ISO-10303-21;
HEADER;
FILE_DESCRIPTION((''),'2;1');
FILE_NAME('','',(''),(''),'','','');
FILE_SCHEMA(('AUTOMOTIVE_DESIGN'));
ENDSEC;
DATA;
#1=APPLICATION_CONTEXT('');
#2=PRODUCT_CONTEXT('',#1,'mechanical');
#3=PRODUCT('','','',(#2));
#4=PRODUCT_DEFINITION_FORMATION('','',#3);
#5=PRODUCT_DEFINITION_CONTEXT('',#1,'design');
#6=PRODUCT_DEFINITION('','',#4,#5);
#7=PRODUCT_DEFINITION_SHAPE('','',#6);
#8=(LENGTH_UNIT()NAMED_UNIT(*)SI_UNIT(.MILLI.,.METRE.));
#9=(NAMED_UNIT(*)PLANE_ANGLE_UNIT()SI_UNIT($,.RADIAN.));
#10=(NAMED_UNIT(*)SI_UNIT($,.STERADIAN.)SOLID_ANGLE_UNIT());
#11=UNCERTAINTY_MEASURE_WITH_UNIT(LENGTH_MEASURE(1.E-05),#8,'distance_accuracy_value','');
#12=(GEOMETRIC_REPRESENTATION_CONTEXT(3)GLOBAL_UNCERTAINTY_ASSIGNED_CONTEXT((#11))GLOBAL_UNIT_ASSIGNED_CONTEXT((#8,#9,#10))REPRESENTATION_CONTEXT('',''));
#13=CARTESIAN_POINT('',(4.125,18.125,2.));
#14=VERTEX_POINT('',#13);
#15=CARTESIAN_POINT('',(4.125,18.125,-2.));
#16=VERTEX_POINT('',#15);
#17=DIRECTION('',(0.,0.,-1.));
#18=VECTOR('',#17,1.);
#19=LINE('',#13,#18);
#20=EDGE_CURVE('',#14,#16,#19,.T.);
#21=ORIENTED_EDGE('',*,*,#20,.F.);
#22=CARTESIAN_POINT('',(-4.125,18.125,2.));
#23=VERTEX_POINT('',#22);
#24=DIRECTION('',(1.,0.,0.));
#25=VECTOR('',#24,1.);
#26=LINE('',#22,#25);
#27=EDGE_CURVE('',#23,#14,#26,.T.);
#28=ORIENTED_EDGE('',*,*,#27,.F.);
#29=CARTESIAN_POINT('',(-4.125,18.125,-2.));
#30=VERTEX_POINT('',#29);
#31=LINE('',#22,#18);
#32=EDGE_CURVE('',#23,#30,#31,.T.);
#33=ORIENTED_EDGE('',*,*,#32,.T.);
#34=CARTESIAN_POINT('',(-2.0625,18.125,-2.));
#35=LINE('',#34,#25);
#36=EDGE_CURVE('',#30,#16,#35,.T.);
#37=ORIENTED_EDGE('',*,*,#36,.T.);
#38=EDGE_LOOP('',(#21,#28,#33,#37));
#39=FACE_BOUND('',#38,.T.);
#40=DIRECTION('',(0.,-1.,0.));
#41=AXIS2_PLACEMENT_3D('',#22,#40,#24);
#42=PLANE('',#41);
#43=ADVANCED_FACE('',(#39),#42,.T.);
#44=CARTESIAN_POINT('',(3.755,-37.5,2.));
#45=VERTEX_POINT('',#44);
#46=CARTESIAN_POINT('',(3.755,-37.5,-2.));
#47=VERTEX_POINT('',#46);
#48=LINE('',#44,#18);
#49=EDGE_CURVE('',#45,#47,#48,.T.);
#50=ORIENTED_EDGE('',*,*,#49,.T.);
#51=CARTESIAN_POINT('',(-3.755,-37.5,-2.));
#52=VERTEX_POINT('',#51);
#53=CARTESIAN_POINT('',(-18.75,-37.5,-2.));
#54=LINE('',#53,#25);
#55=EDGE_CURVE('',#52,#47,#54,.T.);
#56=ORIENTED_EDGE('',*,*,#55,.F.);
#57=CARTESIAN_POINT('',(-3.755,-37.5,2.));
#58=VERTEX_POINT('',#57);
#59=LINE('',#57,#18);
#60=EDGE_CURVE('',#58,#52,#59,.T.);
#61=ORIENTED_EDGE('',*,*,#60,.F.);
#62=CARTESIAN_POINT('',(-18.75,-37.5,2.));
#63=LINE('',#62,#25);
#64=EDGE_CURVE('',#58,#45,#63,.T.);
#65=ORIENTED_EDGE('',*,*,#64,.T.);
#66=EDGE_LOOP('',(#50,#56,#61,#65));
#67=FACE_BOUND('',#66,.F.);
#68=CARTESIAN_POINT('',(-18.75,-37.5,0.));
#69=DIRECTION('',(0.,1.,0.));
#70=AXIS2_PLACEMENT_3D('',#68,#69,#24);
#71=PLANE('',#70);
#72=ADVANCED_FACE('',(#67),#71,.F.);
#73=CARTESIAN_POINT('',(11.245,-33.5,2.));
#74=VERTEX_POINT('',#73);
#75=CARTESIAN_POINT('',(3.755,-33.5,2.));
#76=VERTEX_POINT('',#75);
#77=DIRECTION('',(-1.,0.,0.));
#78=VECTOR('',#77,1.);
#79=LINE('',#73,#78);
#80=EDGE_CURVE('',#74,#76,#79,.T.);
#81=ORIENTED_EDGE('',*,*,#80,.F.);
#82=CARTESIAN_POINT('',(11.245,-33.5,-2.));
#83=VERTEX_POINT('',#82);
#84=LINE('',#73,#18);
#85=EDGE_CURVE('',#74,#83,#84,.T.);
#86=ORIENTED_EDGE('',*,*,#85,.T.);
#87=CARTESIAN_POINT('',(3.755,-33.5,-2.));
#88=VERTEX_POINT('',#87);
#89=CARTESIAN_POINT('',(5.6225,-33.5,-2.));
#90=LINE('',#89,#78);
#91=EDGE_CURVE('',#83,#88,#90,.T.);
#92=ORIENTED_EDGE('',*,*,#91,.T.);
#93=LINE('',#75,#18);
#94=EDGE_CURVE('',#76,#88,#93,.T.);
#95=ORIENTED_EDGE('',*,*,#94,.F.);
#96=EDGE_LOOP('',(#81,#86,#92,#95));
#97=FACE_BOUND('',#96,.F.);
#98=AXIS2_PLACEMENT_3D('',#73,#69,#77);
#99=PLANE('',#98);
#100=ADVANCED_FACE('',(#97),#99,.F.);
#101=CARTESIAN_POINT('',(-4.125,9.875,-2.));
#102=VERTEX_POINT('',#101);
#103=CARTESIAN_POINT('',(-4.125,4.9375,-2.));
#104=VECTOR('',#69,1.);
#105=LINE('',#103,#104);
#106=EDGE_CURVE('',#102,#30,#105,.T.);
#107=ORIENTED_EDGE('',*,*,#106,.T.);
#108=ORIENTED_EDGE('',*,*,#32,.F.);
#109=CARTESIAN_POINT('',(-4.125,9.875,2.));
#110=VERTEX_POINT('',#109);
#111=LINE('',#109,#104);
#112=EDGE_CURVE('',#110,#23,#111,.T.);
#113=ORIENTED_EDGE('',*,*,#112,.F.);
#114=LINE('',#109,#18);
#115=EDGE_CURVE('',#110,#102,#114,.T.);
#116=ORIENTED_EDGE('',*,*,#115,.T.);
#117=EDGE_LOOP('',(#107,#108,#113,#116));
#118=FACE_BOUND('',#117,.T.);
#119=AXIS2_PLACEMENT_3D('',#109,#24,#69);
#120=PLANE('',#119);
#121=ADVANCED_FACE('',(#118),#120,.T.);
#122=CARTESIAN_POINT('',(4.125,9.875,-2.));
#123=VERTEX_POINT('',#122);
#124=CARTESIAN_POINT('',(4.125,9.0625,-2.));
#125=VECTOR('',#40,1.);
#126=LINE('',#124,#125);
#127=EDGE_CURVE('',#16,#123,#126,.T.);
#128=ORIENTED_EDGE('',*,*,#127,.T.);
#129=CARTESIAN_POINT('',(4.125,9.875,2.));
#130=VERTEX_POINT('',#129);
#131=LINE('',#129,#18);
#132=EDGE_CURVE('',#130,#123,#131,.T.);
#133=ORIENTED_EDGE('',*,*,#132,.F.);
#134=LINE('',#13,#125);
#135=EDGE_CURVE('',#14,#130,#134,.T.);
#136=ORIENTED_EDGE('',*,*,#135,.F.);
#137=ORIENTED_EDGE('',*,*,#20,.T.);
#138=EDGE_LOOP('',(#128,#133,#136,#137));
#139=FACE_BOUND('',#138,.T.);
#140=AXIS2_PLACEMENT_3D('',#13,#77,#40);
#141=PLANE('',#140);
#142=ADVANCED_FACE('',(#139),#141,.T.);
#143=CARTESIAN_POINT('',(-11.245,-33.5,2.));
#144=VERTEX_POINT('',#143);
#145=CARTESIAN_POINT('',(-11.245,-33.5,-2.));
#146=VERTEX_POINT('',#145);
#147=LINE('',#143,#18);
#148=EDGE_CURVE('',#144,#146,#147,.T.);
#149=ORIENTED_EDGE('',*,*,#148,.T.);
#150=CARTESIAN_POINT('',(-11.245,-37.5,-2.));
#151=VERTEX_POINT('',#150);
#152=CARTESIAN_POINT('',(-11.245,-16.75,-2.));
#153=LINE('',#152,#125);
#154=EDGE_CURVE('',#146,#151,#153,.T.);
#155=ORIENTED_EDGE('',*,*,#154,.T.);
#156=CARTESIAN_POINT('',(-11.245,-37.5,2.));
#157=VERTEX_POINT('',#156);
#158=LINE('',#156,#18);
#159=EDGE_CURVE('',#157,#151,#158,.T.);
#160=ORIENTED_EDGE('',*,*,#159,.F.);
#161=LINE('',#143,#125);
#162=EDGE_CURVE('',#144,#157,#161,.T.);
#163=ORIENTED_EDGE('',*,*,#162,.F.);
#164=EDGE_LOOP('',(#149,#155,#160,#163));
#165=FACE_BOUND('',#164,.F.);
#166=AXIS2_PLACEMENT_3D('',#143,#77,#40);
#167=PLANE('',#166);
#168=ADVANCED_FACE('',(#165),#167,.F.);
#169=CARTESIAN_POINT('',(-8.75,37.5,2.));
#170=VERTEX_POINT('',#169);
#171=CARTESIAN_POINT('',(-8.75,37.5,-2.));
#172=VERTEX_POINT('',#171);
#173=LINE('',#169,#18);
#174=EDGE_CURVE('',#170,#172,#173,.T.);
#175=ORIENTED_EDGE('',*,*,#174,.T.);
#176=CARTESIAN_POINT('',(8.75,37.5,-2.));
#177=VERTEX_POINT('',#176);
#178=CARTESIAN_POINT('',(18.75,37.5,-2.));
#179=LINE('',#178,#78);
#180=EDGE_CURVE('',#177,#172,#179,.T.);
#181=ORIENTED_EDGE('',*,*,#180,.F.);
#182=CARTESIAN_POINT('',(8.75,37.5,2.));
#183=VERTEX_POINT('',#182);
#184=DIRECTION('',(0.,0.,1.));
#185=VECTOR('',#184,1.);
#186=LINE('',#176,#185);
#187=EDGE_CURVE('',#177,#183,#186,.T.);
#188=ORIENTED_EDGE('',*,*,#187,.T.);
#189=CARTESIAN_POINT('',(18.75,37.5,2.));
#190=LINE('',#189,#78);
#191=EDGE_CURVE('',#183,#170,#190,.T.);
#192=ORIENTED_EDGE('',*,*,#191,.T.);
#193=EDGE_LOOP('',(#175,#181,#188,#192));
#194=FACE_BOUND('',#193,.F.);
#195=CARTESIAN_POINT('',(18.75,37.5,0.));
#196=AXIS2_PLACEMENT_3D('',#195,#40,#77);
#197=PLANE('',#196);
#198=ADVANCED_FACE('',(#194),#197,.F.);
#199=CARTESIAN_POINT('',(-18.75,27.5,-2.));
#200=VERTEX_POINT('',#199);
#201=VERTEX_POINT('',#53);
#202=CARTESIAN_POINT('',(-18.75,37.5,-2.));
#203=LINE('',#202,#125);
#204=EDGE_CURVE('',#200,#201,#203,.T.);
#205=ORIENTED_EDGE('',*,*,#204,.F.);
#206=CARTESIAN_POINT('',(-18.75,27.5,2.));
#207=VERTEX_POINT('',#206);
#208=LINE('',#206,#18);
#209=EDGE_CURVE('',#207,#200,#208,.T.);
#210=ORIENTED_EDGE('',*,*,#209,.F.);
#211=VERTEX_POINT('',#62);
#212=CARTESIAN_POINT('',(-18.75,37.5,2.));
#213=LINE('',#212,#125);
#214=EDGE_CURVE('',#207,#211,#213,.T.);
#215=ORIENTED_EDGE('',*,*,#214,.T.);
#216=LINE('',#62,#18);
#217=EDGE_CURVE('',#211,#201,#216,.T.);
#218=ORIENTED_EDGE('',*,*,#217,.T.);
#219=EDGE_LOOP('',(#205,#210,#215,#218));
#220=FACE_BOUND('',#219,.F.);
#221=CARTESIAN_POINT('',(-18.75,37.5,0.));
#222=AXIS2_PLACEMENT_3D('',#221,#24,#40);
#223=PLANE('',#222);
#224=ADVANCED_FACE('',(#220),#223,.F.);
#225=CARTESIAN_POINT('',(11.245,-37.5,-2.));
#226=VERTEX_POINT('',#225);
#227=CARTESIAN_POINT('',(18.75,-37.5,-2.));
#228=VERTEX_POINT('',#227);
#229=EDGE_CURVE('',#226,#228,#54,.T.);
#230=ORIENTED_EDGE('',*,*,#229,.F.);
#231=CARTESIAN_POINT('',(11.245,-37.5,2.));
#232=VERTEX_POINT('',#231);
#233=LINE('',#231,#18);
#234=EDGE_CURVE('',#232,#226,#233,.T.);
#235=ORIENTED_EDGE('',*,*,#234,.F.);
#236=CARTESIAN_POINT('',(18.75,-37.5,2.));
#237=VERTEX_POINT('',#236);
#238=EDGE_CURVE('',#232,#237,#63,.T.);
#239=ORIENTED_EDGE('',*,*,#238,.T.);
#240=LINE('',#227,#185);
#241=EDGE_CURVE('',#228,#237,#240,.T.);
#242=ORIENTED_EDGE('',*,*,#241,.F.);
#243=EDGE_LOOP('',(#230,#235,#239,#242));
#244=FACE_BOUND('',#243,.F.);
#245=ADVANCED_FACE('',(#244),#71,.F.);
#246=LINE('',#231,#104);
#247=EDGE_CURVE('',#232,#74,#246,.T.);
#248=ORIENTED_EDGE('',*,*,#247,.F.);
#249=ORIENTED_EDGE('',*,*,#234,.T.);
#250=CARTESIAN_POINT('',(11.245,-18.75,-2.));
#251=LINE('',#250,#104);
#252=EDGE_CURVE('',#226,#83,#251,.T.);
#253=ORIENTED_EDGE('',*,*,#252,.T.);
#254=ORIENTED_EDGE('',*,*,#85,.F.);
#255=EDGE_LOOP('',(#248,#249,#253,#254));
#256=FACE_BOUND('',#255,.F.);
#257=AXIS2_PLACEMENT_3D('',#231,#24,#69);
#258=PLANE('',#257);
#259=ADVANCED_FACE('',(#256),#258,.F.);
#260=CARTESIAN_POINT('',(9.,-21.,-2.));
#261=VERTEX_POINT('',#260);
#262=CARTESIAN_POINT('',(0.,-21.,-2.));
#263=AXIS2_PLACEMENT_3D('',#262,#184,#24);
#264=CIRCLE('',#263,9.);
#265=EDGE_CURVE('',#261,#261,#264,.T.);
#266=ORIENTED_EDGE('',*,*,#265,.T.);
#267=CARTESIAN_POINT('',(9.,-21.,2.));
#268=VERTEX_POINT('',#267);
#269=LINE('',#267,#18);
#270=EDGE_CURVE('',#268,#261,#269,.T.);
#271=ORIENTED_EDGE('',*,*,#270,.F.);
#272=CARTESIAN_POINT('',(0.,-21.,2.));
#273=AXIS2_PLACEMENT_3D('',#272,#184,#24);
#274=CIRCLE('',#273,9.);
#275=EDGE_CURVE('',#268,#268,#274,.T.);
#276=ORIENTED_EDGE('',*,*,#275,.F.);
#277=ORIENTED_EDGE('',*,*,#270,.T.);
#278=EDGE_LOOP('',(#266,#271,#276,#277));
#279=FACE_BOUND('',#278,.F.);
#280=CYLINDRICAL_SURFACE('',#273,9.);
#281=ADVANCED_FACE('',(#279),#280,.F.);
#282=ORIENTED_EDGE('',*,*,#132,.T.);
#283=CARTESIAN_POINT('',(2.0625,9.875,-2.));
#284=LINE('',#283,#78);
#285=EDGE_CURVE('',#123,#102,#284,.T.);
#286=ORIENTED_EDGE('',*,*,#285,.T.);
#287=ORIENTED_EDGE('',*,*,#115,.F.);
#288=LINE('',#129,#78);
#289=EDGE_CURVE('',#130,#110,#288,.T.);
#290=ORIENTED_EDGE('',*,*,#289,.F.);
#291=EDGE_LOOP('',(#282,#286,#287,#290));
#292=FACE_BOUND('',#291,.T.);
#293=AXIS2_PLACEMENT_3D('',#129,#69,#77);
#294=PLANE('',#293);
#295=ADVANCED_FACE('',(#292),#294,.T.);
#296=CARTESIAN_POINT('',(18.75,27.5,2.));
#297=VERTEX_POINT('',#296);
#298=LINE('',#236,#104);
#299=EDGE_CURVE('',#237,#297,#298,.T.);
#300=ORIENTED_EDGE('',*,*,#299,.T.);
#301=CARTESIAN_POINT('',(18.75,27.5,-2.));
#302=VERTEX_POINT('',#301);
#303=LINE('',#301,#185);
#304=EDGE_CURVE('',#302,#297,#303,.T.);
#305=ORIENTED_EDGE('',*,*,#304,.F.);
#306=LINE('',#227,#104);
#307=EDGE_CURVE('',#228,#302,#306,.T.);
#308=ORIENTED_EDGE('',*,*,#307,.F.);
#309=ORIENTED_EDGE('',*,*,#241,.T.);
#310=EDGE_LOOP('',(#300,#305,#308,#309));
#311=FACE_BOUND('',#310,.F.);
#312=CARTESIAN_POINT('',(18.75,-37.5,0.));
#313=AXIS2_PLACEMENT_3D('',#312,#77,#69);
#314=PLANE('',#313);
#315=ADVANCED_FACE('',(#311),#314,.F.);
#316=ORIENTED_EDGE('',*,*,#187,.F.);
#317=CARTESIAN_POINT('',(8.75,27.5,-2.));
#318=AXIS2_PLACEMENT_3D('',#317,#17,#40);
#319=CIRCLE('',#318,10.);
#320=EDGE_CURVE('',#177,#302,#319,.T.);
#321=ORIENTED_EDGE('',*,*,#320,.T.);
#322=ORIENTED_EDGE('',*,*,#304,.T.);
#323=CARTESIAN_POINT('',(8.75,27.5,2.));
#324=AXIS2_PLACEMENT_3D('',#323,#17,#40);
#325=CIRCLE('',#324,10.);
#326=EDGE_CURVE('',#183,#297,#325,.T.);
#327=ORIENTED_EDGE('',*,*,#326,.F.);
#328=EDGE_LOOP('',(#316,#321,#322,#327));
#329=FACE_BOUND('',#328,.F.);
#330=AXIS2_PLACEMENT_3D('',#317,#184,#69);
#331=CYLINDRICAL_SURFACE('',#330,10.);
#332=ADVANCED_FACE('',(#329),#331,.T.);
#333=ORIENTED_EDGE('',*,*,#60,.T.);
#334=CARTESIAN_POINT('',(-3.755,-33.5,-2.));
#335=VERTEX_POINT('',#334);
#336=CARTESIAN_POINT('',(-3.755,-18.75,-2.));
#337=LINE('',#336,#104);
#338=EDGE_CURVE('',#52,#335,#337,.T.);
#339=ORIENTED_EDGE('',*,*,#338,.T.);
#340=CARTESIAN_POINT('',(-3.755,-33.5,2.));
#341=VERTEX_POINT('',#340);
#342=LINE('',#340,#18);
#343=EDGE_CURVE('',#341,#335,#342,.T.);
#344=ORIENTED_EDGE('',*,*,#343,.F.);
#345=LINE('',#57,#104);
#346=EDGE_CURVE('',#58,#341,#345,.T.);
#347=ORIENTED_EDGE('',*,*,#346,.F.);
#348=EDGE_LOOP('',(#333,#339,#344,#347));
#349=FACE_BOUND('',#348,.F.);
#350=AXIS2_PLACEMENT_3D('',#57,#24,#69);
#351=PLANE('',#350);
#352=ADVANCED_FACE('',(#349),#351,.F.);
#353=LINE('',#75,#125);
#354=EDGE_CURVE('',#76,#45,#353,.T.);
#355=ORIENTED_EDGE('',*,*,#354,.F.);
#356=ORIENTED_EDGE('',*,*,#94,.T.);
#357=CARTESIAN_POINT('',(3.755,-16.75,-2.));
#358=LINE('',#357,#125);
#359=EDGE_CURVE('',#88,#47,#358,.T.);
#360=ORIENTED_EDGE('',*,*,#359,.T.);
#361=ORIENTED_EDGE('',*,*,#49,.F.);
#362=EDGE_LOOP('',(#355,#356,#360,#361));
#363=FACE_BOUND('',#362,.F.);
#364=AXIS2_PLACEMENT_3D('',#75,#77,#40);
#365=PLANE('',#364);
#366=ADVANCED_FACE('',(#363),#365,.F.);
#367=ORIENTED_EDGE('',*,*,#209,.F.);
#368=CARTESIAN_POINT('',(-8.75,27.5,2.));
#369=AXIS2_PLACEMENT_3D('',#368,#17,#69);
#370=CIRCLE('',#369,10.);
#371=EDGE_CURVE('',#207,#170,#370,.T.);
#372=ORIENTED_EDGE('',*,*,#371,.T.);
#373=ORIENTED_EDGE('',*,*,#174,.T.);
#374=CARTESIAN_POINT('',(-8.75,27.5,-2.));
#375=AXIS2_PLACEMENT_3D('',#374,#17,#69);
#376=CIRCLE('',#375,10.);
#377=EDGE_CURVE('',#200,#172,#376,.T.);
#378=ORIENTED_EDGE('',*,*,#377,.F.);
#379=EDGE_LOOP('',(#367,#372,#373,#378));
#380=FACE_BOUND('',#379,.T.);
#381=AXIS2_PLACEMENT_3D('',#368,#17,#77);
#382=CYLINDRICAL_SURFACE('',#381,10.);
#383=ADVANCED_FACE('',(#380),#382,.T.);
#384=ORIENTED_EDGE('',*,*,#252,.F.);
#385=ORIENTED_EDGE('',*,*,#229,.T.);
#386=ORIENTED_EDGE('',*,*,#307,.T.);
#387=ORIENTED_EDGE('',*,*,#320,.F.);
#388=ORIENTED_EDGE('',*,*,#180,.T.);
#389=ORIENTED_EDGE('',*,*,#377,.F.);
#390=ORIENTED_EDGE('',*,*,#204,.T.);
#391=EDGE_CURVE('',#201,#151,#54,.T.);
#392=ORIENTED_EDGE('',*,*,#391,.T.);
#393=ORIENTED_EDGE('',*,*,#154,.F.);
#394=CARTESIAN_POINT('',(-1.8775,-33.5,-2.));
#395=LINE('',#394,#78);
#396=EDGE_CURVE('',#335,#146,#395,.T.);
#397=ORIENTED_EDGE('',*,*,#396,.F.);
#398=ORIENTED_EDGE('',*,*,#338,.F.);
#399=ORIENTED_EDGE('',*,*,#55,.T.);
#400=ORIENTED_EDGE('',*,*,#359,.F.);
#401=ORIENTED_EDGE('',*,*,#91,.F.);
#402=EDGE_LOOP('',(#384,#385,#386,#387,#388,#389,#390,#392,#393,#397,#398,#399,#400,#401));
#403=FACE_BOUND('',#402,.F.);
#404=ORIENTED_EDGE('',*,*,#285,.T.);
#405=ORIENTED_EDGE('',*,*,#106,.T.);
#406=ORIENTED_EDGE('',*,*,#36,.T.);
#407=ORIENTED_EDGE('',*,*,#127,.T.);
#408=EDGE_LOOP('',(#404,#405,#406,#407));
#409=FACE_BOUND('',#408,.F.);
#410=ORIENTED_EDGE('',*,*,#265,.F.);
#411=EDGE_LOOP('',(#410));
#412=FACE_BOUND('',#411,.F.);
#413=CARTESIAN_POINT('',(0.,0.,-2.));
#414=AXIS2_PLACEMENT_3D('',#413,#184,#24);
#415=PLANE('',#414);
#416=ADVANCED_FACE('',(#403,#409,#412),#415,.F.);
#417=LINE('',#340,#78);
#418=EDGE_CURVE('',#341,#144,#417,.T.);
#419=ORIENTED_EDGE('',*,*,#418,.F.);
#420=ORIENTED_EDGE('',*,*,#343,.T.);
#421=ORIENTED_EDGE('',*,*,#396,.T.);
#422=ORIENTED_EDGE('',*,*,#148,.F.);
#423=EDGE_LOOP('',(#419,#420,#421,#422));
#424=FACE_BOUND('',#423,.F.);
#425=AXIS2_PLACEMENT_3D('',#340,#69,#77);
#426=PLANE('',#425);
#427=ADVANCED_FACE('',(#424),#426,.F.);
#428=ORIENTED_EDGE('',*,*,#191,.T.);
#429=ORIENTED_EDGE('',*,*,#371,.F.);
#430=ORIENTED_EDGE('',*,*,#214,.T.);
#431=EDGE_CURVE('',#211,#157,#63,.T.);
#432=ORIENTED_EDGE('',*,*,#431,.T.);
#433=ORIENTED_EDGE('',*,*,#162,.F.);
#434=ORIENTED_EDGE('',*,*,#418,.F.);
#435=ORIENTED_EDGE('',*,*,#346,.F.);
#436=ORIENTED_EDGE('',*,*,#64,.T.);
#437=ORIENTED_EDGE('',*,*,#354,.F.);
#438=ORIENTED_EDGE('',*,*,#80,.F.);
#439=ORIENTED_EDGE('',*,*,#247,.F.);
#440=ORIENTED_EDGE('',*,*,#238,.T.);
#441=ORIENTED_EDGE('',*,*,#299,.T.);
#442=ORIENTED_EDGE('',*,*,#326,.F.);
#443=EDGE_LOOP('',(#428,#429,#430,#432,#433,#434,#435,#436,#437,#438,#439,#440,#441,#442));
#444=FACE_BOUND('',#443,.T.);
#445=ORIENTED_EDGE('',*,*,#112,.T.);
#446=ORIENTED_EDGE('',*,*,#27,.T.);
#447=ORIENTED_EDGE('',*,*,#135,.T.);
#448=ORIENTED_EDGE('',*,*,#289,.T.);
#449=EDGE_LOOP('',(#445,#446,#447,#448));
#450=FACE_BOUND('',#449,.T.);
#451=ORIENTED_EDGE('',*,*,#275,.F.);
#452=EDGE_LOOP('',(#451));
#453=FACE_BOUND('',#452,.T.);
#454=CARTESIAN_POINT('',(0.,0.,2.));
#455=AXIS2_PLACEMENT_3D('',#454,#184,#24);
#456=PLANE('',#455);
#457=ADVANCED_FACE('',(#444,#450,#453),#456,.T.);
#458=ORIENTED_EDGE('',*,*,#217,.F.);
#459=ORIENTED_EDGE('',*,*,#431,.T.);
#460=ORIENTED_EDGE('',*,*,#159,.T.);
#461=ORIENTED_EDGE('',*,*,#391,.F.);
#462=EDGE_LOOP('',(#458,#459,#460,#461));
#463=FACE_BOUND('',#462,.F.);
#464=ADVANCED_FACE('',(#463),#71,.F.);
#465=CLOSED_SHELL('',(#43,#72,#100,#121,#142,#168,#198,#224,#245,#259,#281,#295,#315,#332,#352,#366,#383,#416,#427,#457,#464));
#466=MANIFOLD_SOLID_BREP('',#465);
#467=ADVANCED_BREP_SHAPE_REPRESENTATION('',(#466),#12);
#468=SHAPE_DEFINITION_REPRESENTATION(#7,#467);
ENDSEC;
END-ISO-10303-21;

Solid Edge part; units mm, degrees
sketch "Sketch1" plane through (0, 0, 0) normal (0, 0, 1) x (1, 0, 0)
  line L0 (-18.75, -37.5) -> (18.75, -37.5)
  line L1 (18.75, -37.5) -> (18.75, 37.5)
  line L2 (18.75, 37.5) -> (-18.75, 37.5)
  line L3 (-18.75, 37.5) -> (-18.75, -37.5)
  dimension "D1" = 37.5
  dimension "D2" = 75
extrude "Protrusion1" add sketch "Sketch1" along normal mid plane 4
sketch "Sketch2" plane through (0, 0, 2) normal (0, 0, 1) x (1, 0, 0)
  line L0 (3.755, -37.5) -> (11.245, -37.5)
  line L1 (11.245, -37.5) -> (11.245, -33.5)
  line L2 (11.245, -33.5) -> (3.755, -33.5)
  line L3 (3.755, -33.5) -> (3.755, -37.5)
  line L4 (-11.245, -37.5) -> (-3.755, -37.5)
  line L5 (-3.755, -37.5) -> (-3.755, -33.5)
  line L6 (-3.755, -33.5) -> (-11.245, -33.5)
  line L7 (-11.245, -33.5) -> (-11.245, -37.5)
  dimension "D1" = 7.49
  dimension "D2" = 7.49
  dimension "D3" = 15
  dimension "D4" = 4
  dimension "D5" = 4
  dimension "D6" = 11.25
extrude "Extrusionsausschnitt_1" cut sketch "Sketch2" against normal blind 8
sketch "Sketch3" plane through (0, 0, 2) normal (0, 0, 1) x (1, 0, 0)
  line L0 (-4.125, 18.125) -> (4.125, 18.125)
  line L1 (4.125, 18.125) -> (4.125, 9.875)
  line L2 (4.125, 9.875) -> (-4.125, 9.875)
  line L3 (-4.125, 9.875) -> (-4.125, 18.125)
  dimension "D1" = 8.25
  dimension "D2" = 8.25
  dimension "D3" = 23.5
  dimension "D4" = 18.75
extrude "Extrusionsausschnitt_2" cut sketch "Sketch3" against normal blind 44
fillet "Verrundung_1" radius 10 2 edges at (18.75, 37.5, 0) (-18.75, 37.5, 0)
sketch "Sketch4" plane through (0, 0, 2) normal (0, 0, 1) x (1, 0, 0)
  circle A0 centre (0, -21) radius 9
  dimension "D1" = 18
  dimension "D2" = 12.5
extrude "Extrusionsausschnitt_3" cut sketch "Sketch4" against normal blind 148
properties material "Holz, Kiefer"
